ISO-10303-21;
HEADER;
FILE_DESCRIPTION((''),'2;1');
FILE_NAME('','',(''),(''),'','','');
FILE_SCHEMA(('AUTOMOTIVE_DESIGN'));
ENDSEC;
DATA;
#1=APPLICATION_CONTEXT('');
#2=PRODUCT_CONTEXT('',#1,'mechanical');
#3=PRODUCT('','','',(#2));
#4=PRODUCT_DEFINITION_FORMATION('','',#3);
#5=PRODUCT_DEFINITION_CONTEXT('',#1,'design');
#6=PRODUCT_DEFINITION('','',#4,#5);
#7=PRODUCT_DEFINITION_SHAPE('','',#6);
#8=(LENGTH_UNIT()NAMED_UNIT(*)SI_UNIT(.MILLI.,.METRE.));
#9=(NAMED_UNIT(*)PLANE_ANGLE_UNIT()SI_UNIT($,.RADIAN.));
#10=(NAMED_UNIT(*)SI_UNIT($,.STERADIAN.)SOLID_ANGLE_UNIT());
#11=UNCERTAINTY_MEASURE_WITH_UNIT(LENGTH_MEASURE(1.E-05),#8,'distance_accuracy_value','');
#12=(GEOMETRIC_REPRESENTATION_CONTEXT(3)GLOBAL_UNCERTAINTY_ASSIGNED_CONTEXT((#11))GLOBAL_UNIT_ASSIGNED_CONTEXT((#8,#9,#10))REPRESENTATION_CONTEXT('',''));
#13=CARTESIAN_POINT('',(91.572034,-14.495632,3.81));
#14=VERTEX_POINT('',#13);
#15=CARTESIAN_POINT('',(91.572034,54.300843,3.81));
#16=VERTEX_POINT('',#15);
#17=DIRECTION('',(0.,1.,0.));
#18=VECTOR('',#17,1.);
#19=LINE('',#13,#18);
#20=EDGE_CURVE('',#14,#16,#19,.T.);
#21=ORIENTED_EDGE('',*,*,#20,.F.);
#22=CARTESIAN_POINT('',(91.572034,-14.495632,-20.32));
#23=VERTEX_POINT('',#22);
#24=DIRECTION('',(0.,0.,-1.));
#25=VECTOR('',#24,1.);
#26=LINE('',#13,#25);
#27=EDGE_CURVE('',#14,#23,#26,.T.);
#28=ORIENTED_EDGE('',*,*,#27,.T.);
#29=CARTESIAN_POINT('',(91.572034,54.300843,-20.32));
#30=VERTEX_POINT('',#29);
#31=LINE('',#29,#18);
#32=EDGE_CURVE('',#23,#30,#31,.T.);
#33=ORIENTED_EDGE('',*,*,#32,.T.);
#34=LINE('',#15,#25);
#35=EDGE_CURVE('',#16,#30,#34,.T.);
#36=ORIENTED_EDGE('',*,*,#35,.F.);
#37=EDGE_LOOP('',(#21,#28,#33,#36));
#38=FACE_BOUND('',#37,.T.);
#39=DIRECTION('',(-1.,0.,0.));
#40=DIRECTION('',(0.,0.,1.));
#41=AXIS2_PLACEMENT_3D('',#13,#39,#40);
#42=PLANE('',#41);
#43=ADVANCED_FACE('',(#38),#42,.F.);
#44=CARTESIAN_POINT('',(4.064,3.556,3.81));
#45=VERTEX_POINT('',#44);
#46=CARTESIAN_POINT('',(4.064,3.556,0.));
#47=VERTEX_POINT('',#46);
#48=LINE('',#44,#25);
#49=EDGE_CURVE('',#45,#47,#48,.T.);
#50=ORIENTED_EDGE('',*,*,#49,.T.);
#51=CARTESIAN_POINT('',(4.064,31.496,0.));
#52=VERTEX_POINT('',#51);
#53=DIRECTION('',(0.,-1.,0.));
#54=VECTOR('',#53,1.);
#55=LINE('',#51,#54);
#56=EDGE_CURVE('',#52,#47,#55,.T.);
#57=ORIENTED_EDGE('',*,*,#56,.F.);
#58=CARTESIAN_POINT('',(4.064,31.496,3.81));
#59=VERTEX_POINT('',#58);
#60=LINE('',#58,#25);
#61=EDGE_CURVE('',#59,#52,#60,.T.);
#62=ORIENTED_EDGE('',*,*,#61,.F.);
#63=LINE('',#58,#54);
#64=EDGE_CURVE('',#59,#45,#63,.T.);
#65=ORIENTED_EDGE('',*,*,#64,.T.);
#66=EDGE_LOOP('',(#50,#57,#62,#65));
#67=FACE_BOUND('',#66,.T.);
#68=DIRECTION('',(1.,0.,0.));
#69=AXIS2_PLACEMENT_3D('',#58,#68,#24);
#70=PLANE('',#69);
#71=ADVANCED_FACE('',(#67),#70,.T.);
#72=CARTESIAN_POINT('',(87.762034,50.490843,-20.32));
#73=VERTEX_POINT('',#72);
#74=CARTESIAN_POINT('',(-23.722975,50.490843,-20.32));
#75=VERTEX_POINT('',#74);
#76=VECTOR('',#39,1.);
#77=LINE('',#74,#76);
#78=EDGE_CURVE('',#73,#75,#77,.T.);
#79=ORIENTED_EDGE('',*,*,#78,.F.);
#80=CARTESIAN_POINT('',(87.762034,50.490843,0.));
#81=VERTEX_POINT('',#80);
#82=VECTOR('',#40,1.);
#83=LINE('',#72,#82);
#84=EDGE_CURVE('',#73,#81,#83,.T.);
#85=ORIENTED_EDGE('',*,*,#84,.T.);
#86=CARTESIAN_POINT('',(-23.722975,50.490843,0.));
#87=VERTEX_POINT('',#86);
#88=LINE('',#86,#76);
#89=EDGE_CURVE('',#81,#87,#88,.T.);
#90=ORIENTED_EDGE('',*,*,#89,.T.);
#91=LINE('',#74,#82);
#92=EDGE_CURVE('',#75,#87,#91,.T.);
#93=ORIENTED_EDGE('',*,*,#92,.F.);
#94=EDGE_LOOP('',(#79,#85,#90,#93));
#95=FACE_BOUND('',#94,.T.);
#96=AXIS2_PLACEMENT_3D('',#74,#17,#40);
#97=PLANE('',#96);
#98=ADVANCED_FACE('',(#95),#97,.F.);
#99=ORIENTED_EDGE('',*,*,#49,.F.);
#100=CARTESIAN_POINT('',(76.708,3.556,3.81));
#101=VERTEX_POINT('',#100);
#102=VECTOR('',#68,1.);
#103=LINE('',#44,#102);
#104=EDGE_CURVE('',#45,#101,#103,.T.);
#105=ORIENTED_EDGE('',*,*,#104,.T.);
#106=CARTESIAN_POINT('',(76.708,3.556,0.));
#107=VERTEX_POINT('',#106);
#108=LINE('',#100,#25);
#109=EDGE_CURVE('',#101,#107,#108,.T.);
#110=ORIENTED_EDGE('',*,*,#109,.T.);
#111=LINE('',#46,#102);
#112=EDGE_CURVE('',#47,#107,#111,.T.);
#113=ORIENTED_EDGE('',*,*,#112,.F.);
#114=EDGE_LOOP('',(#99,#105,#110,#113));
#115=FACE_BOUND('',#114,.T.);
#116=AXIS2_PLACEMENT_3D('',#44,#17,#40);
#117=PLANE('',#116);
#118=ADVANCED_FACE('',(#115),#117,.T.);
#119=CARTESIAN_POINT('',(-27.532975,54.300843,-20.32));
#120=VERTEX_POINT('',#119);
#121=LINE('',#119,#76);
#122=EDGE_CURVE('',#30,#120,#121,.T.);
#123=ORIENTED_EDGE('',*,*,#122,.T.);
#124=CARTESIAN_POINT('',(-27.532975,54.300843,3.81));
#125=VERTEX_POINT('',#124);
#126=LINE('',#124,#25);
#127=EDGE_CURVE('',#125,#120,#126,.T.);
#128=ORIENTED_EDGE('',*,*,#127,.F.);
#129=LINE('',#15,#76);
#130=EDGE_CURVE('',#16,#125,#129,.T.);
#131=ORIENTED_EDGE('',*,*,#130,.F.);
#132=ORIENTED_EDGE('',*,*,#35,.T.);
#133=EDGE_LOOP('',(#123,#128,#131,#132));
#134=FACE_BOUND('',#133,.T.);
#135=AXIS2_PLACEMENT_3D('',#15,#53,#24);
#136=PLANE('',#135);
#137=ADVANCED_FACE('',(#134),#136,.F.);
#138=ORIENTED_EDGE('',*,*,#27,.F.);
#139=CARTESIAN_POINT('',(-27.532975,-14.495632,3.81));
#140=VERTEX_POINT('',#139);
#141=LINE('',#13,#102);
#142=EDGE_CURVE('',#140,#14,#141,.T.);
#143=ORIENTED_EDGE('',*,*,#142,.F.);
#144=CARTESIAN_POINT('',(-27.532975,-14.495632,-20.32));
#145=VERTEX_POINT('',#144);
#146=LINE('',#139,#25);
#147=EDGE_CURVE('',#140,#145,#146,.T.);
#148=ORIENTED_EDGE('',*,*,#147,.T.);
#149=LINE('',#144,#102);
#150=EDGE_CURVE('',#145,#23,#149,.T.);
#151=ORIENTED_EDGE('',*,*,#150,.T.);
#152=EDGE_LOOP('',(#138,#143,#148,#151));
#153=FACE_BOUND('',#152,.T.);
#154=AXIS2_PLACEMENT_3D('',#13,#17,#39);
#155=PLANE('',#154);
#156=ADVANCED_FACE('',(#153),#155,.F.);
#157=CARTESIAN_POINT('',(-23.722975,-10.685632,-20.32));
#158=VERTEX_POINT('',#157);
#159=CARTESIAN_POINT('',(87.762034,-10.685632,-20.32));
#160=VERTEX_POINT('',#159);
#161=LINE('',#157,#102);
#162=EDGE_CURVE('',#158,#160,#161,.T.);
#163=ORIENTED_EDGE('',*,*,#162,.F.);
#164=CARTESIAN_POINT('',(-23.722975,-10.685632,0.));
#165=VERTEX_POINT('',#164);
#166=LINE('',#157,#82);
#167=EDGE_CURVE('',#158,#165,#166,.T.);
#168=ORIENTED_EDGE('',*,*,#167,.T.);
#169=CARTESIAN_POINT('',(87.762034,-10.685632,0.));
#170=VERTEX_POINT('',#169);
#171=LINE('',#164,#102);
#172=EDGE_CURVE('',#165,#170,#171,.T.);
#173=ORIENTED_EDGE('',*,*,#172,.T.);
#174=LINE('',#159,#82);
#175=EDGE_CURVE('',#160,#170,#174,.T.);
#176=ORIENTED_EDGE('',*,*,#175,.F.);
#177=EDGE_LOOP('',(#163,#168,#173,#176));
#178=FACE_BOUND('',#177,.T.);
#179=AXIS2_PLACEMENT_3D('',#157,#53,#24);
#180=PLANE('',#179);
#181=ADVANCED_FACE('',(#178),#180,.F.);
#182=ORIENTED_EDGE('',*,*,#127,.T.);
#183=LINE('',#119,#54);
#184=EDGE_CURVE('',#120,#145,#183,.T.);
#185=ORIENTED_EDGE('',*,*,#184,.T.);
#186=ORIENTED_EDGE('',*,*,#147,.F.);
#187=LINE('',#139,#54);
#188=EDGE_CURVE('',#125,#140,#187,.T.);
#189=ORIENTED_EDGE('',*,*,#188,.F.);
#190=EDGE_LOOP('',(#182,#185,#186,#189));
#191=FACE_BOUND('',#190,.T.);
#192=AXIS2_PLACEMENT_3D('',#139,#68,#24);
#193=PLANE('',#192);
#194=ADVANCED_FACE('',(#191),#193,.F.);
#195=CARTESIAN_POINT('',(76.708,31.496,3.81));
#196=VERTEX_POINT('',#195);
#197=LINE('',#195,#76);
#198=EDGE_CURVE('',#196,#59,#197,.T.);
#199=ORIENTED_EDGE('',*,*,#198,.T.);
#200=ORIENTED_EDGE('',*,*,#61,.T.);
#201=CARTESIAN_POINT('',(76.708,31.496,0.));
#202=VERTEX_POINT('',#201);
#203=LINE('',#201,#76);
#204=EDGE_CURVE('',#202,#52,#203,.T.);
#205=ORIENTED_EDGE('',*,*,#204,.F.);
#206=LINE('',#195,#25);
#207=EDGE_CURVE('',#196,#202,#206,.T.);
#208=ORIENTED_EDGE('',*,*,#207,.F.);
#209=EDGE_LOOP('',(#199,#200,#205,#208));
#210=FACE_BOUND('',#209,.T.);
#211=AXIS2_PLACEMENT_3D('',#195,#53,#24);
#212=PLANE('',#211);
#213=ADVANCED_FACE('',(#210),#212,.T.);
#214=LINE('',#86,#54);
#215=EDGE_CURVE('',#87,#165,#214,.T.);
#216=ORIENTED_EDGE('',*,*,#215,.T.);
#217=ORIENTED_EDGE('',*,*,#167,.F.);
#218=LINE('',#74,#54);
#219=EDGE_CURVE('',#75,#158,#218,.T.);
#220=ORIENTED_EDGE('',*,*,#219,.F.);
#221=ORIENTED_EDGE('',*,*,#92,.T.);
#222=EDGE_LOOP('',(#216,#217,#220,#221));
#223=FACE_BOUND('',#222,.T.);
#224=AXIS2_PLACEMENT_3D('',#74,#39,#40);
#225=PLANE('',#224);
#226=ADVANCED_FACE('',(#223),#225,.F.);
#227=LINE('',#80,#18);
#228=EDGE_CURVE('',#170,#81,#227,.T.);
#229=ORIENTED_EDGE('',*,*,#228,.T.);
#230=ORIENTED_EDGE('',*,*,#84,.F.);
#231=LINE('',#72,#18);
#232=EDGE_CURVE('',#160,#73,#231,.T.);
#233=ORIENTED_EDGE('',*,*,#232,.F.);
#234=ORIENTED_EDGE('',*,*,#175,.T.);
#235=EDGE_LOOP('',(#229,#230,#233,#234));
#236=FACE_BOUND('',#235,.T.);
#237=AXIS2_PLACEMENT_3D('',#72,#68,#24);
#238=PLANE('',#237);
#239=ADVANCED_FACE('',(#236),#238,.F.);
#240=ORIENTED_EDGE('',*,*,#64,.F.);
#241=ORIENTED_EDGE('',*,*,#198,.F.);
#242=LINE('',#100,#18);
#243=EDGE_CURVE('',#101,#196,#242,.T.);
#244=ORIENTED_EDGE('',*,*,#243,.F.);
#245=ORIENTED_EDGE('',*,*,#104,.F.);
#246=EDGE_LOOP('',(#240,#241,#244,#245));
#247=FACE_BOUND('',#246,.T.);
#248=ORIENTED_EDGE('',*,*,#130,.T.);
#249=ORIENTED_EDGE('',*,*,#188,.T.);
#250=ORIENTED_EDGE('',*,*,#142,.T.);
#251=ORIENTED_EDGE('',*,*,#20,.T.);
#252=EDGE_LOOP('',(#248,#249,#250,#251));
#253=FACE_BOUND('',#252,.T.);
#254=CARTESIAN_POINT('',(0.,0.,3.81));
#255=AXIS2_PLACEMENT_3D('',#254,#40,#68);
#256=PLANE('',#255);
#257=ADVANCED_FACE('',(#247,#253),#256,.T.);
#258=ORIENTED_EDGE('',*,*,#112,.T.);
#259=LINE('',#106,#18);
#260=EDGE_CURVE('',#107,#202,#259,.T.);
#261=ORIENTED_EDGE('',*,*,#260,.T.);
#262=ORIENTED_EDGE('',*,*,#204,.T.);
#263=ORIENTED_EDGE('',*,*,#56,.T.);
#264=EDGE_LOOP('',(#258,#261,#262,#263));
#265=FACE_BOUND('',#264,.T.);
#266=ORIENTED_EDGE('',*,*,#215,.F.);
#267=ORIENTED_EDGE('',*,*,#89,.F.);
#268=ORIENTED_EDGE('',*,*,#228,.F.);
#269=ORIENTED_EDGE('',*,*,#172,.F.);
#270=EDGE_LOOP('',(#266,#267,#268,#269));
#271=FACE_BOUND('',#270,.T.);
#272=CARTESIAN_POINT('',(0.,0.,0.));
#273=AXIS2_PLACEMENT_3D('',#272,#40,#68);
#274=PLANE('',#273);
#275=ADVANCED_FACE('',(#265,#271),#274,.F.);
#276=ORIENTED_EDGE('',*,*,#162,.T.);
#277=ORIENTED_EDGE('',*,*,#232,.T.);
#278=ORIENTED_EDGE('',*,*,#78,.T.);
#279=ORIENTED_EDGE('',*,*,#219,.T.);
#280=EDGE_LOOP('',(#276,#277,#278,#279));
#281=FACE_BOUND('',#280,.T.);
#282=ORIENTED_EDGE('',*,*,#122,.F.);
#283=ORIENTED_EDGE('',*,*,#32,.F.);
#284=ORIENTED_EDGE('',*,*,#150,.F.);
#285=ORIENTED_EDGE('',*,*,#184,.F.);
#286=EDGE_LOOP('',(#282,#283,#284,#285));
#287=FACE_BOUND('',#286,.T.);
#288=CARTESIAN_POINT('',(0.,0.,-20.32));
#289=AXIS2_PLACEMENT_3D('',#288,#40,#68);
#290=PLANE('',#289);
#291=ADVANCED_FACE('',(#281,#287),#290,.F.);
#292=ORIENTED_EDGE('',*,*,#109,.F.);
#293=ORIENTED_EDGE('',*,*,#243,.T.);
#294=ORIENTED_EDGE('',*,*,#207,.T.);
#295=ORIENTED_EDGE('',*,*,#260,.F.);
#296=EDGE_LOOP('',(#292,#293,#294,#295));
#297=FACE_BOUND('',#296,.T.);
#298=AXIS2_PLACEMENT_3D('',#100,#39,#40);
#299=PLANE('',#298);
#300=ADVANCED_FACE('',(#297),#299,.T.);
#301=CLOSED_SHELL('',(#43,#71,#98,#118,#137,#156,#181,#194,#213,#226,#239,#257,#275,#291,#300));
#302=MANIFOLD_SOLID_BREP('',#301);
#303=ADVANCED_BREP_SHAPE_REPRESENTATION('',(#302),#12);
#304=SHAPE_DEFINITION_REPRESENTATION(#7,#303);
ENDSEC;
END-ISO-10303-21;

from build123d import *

# Parameters (mm, degrees)
SKETCH1_W           = 119.105009205
SKETCH1_H           = 68.796475466
SKETCH1_W_2         = 72.644
SKETCH1_H_2         = 27.94
BOSS_EXTRUDE2_DEPTH = 3.81
SKETCH2_W           = 119.105009205
SKETCH2_H           = 68.796475466
SKETCH2_W_2         = 111.485009205
SKETCH2_H_2         = 61.176475466
BOSS_EXTRUDE3_DEPTH = 20.32


with BuildPart() as part:
    # Sketch1 → Boss-Extrude2 (new body)
    with BuildSketch(Plane.XY):
        with Locations((32.019529699, 19.90260555)):
            Rectangle(SKETCH1_W, SKETCH1_H)
        with Locations((40.386, 17.526)):
            Rectangle(SKETCH1_W_2, SKETCH1_H_2, mode=Mode.SUBTRACT)
    extrude(amount=BOSS_EXTRUDE2_DEPTH)

    # Sketch2 → Boss-Extrude3 (add)
    with BuildSketch(Plane.XY):
        with Locations((32.019529699, 19.90260555)):
            Rectangle(SKETCH2_W, SKETCH2_H)
        with Locations((32.019529699, 19.90260555)):
            Rectangle(SKETCH2_W_2, SKETCH2_H_2, mode=Mode.SUBTRACT)
    extrude(amount=-BOSS_EXTRUDE3_DEPTH)


solid = part.part
